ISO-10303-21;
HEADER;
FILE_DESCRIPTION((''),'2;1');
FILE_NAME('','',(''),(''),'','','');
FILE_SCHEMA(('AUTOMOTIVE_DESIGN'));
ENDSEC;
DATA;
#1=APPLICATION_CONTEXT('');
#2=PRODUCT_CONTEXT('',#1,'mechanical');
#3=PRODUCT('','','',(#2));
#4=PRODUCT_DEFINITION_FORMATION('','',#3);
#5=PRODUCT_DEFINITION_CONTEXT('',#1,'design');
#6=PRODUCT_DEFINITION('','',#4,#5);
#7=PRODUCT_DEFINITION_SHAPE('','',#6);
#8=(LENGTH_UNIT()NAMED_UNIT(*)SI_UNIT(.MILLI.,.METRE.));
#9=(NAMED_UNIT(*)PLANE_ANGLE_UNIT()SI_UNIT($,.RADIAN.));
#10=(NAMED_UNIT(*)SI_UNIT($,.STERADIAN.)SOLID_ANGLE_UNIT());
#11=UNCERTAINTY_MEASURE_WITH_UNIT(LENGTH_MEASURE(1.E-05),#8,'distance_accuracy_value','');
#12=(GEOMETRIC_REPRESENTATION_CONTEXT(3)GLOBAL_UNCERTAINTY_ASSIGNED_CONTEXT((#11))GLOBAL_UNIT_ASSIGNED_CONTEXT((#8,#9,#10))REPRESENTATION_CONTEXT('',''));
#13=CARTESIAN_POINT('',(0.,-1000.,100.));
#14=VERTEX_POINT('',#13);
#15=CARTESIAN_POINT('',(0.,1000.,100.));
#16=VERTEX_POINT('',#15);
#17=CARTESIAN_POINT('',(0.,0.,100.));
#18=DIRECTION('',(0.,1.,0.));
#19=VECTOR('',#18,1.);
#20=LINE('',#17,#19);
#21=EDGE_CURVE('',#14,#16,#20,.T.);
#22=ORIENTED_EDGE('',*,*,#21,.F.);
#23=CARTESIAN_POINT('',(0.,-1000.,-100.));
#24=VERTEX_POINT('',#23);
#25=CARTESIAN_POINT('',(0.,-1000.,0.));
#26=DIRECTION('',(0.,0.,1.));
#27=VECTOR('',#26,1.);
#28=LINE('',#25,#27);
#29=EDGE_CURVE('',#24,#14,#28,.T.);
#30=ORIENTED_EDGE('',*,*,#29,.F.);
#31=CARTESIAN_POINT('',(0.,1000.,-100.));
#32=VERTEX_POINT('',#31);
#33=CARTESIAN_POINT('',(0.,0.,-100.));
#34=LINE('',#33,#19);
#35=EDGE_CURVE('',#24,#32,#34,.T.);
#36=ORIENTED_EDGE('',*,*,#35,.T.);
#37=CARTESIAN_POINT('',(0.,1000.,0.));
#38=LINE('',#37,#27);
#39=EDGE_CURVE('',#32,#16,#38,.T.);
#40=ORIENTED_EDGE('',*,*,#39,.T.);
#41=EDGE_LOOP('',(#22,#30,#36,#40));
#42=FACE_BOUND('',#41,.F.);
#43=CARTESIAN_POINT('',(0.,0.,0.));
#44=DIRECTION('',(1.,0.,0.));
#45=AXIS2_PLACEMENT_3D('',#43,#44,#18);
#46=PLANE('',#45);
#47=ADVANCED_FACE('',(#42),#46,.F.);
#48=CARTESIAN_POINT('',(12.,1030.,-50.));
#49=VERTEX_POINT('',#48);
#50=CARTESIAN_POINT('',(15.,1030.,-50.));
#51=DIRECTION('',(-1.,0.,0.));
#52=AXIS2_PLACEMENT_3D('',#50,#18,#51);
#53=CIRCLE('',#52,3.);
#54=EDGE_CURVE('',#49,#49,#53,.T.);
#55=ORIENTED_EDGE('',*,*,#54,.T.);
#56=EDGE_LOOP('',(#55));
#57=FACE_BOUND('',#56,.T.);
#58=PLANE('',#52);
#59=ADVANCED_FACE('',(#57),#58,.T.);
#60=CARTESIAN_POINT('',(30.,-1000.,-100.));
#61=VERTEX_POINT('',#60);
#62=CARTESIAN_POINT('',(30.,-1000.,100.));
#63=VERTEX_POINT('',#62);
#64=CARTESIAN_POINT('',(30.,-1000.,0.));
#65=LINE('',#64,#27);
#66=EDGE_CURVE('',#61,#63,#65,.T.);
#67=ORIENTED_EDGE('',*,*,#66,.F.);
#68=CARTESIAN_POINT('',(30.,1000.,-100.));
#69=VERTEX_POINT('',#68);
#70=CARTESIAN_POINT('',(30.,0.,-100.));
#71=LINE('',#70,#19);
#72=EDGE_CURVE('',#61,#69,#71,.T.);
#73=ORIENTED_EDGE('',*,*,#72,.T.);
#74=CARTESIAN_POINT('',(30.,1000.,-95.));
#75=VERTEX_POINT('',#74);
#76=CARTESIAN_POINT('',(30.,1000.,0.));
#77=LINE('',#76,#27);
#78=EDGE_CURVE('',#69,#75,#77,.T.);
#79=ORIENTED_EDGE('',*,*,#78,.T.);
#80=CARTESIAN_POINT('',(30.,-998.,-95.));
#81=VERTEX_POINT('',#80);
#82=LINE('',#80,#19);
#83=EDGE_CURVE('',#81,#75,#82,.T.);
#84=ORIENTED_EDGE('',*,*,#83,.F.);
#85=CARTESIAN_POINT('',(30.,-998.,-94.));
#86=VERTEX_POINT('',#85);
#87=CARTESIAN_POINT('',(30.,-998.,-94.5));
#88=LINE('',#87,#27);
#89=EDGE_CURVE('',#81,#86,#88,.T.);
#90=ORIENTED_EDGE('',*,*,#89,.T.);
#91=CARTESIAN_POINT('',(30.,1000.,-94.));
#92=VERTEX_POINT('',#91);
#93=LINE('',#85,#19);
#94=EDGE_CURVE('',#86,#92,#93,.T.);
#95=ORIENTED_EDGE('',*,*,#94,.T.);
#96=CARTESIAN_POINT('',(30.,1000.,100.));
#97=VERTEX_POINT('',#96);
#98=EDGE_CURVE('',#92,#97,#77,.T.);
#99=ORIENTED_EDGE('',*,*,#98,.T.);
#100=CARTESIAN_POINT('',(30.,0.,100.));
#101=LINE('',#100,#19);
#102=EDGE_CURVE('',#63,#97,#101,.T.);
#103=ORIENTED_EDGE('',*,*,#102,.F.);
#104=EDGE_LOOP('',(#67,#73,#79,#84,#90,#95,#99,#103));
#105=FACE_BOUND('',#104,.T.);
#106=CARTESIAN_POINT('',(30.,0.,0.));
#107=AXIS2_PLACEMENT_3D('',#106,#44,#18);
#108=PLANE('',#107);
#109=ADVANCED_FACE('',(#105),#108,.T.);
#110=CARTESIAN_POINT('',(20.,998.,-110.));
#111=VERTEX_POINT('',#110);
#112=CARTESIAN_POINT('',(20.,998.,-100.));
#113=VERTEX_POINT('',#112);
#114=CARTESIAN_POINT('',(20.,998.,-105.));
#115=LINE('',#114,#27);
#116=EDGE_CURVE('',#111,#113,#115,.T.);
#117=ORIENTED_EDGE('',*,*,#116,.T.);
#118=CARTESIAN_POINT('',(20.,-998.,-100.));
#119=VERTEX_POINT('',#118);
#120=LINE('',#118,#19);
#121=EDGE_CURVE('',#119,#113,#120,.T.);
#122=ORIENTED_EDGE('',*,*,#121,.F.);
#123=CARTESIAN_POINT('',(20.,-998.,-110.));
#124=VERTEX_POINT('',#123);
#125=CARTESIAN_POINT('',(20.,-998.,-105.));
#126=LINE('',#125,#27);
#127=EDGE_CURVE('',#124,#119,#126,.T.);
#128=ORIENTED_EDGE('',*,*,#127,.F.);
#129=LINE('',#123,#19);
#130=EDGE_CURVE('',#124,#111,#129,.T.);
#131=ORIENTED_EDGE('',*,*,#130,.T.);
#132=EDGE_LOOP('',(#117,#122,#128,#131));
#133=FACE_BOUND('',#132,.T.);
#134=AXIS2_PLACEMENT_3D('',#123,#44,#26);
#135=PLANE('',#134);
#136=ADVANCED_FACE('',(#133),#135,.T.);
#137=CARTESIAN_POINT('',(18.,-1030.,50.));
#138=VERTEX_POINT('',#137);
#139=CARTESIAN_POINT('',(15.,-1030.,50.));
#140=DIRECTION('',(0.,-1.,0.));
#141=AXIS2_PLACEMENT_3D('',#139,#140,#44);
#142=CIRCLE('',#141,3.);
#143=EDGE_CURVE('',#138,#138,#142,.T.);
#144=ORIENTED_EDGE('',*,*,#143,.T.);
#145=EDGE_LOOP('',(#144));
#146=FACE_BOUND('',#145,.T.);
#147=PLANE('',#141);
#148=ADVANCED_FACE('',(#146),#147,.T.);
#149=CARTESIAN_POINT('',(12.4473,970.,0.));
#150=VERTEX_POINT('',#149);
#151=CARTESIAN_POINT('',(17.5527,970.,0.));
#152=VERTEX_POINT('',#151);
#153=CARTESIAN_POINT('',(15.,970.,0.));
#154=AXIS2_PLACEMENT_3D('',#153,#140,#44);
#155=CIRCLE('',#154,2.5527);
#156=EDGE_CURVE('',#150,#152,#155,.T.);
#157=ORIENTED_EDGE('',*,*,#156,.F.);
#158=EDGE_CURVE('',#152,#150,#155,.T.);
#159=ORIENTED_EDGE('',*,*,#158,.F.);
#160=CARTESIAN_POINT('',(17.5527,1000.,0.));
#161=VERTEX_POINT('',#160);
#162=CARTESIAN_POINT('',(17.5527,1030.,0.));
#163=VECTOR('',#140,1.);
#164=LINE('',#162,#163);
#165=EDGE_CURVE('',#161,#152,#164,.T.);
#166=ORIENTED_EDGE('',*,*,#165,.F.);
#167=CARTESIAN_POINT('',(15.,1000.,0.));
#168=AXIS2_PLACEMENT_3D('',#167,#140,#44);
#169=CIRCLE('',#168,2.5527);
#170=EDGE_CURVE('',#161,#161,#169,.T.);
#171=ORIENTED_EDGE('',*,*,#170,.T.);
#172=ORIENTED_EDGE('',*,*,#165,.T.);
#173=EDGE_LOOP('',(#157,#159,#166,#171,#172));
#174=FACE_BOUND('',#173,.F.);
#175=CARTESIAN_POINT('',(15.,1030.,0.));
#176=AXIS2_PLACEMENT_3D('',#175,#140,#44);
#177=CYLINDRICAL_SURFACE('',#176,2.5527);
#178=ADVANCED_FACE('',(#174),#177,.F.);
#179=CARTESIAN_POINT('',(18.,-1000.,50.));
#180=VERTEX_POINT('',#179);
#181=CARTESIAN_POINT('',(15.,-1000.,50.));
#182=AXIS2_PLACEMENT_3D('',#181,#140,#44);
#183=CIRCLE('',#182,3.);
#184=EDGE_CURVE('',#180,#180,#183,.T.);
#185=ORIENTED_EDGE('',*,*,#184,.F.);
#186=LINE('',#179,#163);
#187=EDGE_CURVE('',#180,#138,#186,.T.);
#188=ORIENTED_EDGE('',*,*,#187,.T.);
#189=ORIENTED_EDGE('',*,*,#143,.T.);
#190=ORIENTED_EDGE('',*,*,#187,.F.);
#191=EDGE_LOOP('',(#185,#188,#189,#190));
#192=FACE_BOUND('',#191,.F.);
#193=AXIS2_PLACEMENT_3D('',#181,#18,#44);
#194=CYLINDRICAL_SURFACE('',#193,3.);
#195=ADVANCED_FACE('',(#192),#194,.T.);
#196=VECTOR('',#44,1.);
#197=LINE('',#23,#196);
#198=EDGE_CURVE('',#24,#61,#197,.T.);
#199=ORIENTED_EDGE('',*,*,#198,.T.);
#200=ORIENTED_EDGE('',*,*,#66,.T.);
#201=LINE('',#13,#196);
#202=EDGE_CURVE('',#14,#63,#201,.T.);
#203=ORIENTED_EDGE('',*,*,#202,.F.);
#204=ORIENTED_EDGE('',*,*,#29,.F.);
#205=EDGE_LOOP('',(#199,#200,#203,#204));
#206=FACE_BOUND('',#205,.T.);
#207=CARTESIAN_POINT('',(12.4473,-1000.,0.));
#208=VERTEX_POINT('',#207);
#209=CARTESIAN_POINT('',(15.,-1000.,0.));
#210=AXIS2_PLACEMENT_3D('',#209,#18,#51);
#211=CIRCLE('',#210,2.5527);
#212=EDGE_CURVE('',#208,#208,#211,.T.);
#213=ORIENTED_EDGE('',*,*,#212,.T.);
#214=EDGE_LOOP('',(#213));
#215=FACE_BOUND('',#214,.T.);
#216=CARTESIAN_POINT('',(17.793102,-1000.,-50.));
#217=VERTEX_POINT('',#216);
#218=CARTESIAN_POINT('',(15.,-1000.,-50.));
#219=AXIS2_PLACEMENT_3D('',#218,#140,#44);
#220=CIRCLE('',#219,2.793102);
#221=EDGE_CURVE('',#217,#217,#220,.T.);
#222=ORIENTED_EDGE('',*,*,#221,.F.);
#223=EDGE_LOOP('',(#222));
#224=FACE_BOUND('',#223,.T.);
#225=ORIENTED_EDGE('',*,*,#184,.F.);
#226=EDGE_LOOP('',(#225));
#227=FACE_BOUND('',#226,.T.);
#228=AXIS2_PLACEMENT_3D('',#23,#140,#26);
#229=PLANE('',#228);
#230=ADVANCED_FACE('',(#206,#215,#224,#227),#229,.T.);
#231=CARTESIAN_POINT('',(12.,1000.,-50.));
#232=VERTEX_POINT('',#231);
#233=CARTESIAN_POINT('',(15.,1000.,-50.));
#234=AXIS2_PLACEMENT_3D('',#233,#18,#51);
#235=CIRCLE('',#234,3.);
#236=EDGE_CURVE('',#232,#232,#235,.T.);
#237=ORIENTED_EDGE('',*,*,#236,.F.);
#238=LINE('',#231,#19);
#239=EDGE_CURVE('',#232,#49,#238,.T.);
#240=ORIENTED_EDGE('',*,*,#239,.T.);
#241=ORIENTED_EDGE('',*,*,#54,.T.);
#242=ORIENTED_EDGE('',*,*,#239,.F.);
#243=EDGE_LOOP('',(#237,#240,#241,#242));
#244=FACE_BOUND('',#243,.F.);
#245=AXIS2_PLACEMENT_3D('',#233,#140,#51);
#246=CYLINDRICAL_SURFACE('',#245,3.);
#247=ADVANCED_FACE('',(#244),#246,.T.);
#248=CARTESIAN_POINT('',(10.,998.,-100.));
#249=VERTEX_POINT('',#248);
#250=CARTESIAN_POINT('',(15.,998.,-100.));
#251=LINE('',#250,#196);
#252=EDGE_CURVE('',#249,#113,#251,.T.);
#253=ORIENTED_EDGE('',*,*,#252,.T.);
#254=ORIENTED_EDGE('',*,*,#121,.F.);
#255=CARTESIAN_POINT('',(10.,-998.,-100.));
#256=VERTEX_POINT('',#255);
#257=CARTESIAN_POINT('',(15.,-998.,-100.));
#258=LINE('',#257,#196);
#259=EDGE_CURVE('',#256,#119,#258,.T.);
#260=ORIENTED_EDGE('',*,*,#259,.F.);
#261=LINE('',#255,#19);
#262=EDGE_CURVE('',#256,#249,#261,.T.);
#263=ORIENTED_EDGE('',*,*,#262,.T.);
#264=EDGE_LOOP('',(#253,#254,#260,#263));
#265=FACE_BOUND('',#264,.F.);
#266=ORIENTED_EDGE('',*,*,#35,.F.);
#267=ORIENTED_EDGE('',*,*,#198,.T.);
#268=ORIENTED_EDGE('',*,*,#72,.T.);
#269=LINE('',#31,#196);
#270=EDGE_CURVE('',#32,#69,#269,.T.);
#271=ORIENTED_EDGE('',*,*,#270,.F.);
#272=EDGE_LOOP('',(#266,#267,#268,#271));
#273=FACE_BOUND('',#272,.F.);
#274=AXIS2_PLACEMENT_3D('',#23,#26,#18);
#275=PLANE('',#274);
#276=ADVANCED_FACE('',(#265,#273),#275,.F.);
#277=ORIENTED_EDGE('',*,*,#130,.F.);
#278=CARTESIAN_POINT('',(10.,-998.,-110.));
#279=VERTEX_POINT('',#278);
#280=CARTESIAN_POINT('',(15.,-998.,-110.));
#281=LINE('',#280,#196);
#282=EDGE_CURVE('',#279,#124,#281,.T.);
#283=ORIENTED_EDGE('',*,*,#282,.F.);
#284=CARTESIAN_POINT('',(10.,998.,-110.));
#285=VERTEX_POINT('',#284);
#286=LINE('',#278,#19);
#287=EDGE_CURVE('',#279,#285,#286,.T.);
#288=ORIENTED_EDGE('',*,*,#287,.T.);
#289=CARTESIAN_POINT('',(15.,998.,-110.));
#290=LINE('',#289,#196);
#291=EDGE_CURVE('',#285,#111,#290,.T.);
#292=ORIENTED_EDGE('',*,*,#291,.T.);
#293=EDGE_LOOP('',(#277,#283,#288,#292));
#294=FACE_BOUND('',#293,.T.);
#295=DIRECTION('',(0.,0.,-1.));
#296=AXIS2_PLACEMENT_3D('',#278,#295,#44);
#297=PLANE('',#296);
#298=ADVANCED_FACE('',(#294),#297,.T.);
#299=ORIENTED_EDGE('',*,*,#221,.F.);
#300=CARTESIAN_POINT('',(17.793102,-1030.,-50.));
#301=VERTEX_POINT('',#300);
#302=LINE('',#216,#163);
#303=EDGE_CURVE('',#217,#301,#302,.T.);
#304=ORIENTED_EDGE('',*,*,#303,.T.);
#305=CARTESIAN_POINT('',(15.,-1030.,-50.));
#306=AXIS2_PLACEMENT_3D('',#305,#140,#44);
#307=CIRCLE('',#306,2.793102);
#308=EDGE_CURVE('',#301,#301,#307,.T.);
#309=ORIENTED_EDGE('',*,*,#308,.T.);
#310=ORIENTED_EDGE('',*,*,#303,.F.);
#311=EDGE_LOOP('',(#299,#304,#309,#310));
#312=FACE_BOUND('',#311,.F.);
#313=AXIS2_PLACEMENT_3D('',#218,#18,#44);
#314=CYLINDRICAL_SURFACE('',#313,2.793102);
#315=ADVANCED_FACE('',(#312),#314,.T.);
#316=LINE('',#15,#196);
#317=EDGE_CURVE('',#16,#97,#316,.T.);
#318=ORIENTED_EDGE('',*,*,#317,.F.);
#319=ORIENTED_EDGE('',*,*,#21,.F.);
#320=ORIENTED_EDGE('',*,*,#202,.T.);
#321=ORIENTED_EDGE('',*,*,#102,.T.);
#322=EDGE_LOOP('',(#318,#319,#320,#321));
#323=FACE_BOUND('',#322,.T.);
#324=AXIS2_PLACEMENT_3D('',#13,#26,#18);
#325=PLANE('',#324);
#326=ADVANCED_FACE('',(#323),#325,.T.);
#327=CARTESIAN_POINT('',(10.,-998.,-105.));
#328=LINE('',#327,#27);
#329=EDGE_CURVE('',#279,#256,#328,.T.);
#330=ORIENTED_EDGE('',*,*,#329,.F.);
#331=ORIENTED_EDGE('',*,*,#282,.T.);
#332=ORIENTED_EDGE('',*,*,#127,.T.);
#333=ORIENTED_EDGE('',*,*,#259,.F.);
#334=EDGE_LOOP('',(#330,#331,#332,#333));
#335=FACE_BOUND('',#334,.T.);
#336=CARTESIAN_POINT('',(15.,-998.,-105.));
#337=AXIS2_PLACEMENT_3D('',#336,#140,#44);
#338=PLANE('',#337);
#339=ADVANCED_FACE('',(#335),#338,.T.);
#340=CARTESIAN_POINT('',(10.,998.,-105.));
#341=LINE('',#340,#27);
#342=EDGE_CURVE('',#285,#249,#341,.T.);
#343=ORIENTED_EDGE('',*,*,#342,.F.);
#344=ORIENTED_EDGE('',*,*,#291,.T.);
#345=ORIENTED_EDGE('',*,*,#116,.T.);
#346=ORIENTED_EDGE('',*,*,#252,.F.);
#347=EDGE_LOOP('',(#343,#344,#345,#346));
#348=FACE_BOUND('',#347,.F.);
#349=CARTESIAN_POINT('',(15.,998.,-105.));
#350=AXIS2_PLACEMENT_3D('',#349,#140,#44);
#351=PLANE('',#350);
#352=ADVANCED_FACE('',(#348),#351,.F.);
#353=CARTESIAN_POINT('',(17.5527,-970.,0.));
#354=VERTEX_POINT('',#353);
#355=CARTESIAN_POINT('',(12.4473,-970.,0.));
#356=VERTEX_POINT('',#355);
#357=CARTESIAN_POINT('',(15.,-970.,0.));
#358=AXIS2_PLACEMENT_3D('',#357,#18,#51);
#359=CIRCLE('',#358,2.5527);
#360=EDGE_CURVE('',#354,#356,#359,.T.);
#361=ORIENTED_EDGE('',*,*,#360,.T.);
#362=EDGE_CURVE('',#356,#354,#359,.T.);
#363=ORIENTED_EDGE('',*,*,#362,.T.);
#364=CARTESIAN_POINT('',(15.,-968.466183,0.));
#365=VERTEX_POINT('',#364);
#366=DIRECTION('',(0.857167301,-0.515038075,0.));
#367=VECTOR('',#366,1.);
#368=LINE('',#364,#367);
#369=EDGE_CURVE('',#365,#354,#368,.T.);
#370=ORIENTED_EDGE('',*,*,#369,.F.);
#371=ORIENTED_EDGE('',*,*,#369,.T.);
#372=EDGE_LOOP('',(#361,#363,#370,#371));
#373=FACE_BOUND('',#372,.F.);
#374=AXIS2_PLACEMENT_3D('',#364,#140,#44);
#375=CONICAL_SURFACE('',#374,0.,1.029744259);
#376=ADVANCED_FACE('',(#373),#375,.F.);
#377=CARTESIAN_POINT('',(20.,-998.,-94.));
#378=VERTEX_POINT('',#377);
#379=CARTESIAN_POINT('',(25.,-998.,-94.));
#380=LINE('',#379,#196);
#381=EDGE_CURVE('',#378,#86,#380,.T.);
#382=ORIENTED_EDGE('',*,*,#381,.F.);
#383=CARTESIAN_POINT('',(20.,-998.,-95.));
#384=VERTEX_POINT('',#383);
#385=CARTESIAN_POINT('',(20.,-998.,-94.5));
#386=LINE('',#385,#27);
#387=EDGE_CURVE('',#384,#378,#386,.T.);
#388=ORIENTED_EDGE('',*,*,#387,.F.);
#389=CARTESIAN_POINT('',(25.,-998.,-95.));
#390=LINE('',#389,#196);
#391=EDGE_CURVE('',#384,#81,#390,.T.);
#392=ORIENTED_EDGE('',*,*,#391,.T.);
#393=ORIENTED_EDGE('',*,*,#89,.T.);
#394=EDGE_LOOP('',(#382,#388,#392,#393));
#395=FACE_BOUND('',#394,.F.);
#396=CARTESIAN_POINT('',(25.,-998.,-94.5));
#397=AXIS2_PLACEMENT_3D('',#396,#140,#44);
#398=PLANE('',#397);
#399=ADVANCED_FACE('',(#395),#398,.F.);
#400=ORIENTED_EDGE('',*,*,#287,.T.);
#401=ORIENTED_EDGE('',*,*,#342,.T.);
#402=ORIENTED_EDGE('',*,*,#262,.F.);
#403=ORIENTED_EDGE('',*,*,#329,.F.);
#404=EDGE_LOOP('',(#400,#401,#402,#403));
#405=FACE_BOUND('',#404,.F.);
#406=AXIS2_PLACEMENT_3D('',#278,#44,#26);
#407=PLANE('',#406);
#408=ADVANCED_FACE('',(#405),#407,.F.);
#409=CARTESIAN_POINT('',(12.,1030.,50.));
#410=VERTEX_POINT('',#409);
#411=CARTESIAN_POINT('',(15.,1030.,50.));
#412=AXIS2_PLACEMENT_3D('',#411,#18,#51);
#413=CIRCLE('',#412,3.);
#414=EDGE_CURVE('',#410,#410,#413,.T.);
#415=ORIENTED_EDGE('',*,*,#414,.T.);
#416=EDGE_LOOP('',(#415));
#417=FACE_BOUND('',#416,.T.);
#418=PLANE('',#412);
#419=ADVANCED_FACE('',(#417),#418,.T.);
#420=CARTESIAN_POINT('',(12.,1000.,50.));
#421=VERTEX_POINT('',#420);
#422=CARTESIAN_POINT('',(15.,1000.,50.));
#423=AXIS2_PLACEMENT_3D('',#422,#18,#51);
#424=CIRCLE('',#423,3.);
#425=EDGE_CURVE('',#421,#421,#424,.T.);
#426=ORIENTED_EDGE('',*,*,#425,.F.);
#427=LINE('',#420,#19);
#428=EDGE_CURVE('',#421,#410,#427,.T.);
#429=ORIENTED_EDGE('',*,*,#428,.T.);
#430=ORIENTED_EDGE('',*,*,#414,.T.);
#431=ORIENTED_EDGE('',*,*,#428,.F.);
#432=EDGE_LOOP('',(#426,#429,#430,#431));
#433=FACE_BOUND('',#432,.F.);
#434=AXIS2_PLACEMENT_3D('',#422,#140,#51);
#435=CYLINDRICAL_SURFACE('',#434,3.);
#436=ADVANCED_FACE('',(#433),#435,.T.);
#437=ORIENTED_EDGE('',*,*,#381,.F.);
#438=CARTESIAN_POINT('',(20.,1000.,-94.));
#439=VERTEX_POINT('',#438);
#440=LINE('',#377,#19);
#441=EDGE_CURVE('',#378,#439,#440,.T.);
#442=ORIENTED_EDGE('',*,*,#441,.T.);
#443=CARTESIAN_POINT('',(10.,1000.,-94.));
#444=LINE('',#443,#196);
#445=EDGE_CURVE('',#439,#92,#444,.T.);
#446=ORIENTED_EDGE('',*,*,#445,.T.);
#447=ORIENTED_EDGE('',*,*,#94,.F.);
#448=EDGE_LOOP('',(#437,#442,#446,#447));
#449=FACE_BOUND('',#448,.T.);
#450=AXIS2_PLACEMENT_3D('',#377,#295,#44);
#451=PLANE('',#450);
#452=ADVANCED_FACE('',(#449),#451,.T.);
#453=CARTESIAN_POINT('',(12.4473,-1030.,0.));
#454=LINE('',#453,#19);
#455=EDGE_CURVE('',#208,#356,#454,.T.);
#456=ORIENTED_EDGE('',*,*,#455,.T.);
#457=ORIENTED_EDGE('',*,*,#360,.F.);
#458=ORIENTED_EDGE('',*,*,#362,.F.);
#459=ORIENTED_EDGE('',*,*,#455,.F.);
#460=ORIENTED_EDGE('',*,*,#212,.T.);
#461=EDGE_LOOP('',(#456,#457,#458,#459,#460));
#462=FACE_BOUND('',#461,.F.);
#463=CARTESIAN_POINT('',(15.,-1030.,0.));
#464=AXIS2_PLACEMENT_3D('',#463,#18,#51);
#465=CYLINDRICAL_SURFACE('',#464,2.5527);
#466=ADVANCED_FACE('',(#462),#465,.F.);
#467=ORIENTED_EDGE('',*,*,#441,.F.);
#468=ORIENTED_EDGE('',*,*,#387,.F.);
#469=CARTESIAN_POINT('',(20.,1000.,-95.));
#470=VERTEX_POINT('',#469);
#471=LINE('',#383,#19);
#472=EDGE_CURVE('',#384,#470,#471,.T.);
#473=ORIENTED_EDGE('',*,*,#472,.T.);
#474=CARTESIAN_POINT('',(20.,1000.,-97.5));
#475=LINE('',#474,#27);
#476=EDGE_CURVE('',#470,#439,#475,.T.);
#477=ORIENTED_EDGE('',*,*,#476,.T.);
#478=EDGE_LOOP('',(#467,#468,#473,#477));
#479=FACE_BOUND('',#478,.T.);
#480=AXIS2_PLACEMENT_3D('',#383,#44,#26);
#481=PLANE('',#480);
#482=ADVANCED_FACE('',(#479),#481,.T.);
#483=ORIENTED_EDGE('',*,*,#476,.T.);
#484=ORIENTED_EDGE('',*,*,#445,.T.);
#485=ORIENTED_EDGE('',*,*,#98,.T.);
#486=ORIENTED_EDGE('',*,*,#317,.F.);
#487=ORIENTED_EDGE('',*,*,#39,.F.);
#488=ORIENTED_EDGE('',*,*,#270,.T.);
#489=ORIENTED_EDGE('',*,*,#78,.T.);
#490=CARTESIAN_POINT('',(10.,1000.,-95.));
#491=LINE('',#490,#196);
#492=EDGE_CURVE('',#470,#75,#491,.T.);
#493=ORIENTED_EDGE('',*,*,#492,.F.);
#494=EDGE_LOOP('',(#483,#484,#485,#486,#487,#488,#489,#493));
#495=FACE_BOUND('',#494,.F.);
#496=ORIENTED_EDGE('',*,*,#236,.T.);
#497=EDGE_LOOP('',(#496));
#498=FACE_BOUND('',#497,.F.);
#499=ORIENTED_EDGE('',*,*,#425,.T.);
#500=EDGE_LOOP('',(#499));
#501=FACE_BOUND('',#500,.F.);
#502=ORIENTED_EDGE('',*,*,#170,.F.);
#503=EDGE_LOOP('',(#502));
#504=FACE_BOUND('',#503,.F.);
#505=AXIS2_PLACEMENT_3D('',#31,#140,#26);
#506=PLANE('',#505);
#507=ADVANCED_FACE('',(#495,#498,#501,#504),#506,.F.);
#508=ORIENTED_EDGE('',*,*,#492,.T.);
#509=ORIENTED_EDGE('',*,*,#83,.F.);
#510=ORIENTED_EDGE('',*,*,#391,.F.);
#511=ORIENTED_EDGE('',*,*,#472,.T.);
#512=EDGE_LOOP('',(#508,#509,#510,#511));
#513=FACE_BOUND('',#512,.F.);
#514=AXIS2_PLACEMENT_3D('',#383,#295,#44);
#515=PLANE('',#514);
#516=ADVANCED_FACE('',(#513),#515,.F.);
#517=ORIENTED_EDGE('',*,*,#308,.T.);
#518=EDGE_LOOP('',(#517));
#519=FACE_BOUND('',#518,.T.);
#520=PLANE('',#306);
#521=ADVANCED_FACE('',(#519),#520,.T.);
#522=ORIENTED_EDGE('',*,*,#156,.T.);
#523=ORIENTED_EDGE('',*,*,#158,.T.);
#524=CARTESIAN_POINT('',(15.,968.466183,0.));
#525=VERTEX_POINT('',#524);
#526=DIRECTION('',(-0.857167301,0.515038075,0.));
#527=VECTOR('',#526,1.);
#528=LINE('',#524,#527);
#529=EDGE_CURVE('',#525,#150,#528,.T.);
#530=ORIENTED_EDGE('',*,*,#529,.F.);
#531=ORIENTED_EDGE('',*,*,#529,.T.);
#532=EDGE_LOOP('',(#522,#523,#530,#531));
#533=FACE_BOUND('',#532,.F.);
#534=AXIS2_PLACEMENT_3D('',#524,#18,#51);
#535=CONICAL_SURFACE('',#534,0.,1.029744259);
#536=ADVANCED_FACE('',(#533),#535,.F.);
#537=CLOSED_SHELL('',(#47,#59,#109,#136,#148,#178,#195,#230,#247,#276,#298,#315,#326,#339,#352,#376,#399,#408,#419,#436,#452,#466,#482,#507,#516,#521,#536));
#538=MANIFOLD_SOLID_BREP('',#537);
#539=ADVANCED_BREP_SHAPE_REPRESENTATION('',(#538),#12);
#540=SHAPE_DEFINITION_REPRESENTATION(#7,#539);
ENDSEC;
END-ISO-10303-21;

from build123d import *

# Parameters (mm, degrees)
F0_W      = 2000
F0_H      = 200
F1_DEPTH  = 30
F2_R      = 3
F3_DEPTH  = 30
F5_START  = -2
F4_W      = 10
F4_H      = 10
F5_DEPTH  = 1996
F6_R      = 3
F6_R_2    = 2.7931016095
F7_DEPTH  = 30
F8_W      = 10
F8_H      = 1
F9_DEPTH  = 2000
F10_D     = 5.1054
F10_DEPTH = 30
F10_TIP   = 1.5338169022
F11_D     = 5.1054
F11_DEPTH = 30
F11_TIP   = 1.5338169022


with BuildPart() as f1:
    # F0 (on Right) → F1 (new body)
    with BuildSketch(Plane.YZ):
        Rectangle(F0_W, F0_H)
    extrude(amount=F1_DEPTH)

    # F2 (on face) → F3 (join)
    with BuildSketch(Plane(origin=(0, 1000, 0), x_dir=(-1, 0, 0), z_dir=(0, 1, 0))):
        with Locations((-15, -50)):
            Circle(F2_R)
        with Locations((-15, 50)):
            Circle(F2_R)
    extrude(amount=F3_DEPTH)

    # F4 (on face) → F5 (join)
    with BuildSketch(Plane.XZ.offset(1000).offset(F5_START)):
        with Locations((15, -105)):
            Rectangle(F4_W, F4_H)
    extrude(amount=-F5_DEPTH)

    # F6 (on face) → F7 (join)
    with BuildSketch(Plane.XZ.offset(1000)):
        with Locations((15, 50)):
            Circle(F6_R)
        with Locations((15, -50)):
            Circle(F6_R_2)
    extrude(amount=F7_DEPTH)

    # F8 (on face) → F9 (cut)
    with BuildSketch(Plane.XZ.offset(998)):
        with Locations((25, -94.5)):
            Rectangle(F8_W, F8_H)
    extrude(amount=-F9_DEPTH, mode=Mode.SUBTRACT)

    # F10
    with Locations(Plane(origin=(0, 1000, 0), x_dir=(-1, 0, 0), z_dir=(0, 1, 0))):
        with Locations((-15, 0)):
            Hole(F10_D / 2, depth=F10_DEPTH)
            with Locations((0, 0, -(F10_DEPTH + F10_TIP / 2))):  # 118° drill point
                Cone(0, F10_D / 2, F10_TIP, mode=Mode.SUBTRACT)

    # F11
    with Locations(Plane.XZ.offset(1000)):
        with Locations((15, 0)):
            Hole(F11_D / 2, depth=F11_DEPTH)
            with Locations((0, 0, -(F11_DEPTH + F11_TIP / 2))):  # 118° drill point
                Cone(0, F11_D / 2, F11_TIP, mode=Mode.SUBTRACT)


solid = f1.part
